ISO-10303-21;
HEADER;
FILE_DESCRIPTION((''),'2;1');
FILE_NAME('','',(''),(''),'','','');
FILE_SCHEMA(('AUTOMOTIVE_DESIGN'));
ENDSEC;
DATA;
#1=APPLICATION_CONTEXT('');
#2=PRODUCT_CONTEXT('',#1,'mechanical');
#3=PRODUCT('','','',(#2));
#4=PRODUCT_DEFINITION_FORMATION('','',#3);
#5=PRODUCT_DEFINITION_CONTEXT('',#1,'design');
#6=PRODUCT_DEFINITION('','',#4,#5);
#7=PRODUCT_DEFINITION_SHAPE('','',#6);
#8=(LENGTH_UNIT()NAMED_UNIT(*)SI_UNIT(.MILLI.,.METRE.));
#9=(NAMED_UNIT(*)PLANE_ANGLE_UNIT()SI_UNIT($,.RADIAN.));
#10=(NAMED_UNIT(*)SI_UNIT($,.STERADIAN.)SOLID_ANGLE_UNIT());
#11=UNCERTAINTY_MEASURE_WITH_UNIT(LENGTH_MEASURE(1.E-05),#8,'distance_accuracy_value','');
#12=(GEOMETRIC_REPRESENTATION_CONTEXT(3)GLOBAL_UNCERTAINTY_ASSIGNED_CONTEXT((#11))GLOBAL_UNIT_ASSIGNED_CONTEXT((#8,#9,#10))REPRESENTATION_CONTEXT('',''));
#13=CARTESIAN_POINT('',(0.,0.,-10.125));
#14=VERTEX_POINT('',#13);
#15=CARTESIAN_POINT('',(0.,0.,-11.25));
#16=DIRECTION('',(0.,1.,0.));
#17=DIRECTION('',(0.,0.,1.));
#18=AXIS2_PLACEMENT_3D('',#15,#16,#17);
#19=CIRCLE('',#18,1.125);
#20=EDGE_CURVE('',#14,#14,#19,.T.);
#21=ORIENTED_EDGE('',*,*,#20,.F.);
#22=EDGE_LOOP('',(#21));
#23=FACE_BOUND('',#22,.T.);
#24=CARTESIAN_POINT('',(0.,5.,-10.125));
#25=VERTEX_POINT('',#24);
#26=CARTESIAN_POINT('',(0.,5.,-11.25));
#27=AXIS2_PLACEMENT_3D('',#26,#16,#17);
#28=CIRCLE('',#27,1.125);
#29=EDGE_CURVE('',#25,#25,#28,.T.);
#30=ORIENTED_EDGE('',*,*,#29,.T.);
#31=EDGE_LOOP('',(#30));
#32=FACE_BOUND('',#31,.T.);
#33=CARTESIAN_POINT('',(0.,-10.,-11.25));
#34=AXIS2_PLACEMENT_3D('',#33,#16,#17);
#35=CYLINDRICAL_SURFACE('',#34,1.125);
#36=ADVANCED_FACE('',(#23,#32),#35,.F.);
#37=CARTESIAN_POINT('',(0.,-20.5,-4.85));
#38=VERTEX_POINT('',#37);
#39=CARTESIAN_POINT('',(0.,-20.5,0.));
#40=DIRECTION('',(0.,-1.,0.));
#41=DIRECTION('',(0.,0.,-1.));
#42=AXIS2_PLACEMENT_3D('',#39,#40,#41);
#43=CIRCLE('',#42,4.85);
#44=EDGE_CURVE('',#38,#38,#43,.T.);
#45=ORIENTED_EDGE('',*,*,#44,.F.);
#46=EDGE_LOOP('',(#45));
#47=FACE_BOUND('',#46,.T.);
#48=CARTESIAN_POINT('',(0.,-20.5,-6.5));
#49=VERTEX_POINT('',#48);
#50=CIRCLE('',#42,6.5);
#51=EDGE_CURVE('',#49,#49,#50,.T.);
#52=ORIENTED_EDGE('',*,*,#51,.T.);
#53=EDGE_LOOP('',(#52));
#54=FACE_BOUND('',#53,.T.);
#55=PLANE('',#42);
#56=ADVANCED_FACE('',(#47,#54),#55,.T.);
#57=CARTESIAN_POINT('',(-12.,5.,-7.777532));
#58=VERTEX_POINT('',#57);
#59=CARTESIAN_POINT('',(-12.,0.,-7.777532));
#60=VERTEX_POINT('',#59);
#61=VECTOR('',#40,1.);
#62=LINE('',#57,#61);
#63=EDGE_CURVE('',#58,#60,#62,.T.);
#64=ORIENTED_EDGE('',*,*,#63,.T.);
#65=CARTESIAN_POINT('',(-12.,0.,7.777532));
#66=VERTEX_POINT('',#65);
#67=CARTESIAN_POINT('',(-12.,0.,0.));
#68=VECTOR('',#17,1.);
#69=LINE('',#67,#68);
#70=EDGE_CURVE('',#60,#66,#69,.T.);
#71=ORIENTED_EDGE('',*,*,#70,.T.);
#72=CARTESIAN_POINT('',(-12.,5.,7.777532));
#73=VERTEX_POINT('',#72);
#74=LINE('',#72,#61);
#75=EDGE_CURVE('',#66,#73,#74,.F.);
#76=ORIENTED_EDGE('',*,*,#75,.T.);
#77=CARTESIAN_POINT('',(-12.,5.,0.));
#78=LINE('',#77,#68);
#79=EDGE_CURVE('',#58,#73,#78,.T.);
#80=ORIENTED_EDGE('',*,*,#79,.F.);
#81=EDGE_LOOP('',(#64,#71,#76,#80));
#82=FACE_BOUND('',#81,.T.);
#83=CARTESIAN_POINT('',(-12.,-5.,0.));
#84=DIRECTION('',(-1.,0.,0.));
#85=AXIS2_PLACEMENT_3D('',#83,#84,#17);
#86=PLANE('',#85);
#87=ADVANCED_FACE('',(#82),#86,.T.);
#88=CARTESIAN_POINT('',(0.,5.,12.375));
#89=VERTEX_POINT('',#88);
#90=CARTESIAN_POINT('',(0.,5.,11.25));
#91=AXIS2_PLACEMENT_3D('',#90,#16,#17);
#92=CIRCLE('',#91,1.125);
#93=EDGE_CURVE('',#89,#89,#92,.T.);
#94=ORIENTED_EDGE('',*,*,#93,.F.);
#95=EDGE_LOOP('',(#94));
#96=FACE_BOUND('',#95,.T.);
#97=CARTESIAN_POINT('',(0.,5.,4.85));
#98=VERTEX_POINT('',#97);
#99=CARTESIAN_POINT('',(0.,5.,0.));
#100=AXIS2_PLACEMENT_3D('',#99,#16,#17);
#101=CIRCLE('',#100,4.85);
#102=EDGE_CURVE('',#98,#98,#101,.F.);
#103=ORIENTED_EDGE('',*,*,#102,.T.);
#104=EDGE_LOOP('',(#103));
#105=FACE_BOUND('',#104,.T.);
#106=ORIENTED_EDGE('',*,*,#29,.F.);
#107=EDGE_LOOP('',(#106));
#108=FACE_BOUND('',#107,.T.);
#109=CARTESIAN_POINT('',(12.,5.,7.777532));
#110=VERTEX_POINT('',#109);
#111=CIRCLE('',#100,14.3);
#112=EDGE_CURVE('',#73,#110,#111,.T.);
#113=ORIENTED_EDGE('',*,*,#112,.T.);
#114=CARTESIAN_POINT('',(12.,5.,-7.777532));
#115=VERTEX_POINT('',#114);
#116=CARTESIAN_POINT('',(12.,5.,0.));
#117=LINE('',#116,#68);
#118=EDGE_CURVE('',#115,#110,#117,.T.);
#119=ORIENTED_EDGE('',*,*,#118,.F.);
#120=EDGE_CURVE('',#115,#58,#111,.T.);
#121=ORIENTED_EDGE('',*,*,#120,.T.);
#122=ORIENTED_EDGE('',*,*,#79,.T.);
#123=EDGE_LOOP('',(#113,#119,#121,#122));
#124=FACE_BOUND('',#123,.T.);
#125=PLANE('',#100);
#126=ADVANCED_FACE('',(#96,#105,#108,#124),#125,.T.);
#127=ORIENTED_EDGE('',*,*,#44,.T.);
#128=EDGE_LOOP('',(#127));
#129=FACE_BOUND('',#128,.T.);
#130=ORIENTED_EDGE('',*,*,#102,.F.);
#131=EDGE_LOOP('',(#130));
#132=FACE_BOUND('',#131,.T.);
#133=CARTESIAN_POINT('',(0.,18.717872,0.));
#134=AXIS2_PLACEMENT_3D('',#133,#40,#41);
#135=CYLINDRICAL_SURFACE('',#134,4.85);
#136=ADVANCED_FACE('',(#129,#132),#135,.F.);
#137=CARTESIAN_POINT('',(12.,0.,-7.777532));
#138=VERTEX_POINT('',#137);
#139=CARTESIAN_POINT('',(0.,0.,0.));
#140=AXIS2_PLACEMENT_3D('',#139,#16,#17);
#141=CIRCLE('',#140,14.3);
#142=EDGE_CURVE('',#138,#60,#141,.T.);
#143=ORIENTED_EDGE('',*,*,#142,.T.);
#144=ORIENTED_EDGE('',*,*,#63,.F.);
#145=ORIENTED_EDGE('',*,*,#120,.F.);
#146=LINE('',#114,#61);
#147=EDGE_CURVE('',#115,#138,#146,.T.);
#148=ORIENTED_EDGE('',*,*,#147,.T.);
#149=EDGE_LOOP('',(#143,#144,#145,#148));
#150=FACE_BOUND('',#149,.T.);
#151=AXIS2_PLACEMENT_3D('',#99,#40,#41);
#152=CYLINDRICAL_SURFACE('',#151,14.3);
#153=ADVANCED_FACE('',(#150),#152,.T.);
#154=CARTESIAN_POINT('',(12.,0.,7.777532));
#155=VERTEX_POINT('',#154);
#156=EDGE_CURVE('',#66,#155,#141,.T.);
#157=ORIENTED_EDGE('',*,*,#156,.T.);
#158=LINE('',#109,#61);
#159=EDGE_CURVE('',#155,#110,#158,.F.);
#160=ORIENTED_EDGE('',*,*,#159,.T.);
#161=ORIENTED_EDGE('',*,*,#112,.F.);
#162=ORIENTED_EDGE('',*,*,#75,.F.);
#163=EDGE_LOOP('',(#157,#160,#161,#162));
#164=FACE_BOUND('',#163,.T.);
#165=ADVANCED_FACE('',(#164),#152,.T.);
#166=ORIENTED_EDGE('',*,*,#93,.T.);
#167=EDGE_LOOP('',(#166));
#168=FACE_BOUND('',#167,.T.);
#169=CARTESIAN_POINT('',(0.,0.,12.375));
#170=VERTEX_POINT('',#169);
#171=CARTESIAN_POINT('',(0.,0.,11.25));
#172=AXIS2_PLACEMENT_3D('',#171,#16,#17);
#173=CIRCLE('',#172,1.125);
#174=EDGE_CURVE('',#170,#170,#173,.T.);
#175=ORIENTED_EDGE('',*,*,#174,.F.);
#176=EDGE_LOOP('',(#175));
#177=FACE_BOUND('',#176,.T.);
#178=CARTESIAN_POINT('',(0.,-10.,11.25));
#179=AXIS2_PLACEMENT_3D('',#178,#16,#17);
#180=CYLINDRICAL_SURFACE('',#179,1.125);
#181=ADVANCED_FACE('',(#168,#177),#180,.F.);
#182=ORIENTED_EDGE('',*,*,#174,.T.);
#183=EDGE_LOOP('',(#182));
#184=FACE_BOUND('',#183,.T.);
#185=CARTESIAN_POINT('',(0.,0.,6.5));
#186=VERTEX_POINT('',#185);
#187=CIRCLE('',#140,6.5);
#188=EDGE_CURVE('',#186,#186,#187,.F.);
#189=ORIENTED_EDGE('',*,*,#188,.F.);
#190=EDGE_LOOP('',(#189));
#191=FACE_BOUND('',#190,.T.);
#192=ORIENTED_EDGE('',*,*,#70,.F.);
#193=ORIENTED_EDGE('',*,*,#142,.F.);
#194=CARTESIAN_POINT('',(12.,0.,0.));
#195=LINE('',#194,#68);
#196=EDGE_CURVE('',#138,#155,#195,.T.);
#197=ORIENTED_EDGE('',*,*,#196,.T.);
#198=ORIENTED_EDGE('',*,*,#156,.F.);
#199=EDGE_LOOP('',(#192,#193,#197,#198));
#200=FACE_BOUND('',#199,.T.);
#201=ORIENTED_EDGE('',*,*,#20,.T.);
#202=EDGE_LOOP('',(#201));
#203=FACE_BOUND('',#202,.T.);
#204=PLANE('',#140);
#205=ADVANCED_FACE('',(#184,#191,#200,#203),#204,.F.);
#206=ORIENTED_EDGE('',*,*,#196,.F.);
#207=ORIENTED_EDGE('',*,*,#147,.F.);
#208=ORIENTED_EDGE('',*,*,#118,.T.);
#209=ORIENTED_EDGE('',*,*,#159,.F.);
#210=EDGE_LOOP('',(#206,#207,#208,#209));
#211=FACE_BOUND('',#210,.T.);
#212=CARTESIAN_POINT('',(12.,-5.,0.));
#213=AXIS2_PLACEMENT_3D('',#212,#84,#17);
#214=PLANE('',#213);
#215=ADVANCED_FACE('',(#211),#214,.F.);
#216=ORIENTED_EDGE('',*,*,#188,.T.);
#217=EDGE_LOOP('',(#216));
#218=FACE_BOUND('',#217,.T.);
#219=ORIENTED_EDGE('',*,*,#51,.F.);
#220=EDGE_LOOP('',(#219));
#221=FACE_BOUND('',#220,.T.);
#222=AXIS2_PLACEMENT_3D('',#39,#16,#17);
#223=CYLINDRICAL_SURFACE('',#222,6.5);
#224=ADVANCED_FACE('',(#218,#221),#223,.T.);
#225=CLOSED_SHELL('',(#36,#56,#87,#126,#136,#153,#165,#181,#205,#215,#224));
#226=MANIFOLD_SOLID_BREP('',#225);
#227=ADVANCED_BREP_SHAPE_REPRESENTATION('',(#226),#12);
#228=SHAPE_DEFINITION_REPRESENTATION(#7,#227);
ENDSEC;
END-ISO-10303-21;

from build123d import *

# Parameters (mm, degrees)
SKETCH1_R           = 14.3
BOSS_EXTRUDE1_DEPTH = 5
SKETCH2_R           = 6.5
BOSS_EXTRUDE2_DEPTH = 20.5
SKETCH5_R           = 1.125
CUT_EXTRUDE1_DEPTH  = 15
SKETCH6_R           = 4.85
CUT_EXTRUDE2_DEPTH  = 25.5
SKETCH7_W           = 3.263473237
SKETCH7_H           = 32.347337023
SKETCH7_W_2         = 3.52826165
CUT_EXTRUDE5_DEPTH  = 10


with BuildPart() as part:
    # Sketch1 → Boss-Extrude1 (new body)
    with BuildSketch(Plane(origin=(0, 0, 0), x_dir=(1, 0, 0), z_dir=(0, 1, 0))):
        Circle(SKETCH1_R)
    extrude(amount=BOSS_EXTRUDE1_DEPTH)

    # Sketch2 → Boss-Extrude2 (add)
    with BuildSketch(Plane.XZ):
        Circle(SKETCH2_R)
    extrude(amount=BOSS_EXTRUDE2_DEPTH)

    # Sketch5 → Cut-Extrude1 (cut)
    with BuildSketch(Plane(origin=(0, 5, 0), x_dir=(1, 0, 0), z_dir=(0, 1, 0))):
        with Locations((0, -11.25)):
            Circle(SKETCH5_R)
        with Locations((0, 11.25)):
            Circle(SKETCH5_R)
    extrude(amount=-CUT_EXTRUDE1_DEPTH, mode=Mode.SUBTRACT)

    # Sketch6 → Cut-Extrude2 (cut)
    with BuildSketch(Plane.XZ.offset(20.5)):
        Circle(SKETCH6_R)
    extrude(amount=-CUT_EXTRUDE2_DEPTH, mode=Mode.SUBTRACT)

    # Sketch7 → Cut-Extrude5 (cut)
    with BuildSketch(Plane(origin=(0, 5, 0), x_dir=(1, 0, 0), z_dir=(0, 1, 0))):
        with Locations((13.631736618, 0.768402462)):
            Rectangle(SKETCH7_W, SKETCH7_H)
        with Locations((-13.764130825, 0.768402462)):
            Rectangle(SKETCH7_W_2, SKETCH7_H)
    extrude(amount=-CUT_EXTRUDE5_DEPTH, mode=Mode.SUBTRACT)


solid = part.part
